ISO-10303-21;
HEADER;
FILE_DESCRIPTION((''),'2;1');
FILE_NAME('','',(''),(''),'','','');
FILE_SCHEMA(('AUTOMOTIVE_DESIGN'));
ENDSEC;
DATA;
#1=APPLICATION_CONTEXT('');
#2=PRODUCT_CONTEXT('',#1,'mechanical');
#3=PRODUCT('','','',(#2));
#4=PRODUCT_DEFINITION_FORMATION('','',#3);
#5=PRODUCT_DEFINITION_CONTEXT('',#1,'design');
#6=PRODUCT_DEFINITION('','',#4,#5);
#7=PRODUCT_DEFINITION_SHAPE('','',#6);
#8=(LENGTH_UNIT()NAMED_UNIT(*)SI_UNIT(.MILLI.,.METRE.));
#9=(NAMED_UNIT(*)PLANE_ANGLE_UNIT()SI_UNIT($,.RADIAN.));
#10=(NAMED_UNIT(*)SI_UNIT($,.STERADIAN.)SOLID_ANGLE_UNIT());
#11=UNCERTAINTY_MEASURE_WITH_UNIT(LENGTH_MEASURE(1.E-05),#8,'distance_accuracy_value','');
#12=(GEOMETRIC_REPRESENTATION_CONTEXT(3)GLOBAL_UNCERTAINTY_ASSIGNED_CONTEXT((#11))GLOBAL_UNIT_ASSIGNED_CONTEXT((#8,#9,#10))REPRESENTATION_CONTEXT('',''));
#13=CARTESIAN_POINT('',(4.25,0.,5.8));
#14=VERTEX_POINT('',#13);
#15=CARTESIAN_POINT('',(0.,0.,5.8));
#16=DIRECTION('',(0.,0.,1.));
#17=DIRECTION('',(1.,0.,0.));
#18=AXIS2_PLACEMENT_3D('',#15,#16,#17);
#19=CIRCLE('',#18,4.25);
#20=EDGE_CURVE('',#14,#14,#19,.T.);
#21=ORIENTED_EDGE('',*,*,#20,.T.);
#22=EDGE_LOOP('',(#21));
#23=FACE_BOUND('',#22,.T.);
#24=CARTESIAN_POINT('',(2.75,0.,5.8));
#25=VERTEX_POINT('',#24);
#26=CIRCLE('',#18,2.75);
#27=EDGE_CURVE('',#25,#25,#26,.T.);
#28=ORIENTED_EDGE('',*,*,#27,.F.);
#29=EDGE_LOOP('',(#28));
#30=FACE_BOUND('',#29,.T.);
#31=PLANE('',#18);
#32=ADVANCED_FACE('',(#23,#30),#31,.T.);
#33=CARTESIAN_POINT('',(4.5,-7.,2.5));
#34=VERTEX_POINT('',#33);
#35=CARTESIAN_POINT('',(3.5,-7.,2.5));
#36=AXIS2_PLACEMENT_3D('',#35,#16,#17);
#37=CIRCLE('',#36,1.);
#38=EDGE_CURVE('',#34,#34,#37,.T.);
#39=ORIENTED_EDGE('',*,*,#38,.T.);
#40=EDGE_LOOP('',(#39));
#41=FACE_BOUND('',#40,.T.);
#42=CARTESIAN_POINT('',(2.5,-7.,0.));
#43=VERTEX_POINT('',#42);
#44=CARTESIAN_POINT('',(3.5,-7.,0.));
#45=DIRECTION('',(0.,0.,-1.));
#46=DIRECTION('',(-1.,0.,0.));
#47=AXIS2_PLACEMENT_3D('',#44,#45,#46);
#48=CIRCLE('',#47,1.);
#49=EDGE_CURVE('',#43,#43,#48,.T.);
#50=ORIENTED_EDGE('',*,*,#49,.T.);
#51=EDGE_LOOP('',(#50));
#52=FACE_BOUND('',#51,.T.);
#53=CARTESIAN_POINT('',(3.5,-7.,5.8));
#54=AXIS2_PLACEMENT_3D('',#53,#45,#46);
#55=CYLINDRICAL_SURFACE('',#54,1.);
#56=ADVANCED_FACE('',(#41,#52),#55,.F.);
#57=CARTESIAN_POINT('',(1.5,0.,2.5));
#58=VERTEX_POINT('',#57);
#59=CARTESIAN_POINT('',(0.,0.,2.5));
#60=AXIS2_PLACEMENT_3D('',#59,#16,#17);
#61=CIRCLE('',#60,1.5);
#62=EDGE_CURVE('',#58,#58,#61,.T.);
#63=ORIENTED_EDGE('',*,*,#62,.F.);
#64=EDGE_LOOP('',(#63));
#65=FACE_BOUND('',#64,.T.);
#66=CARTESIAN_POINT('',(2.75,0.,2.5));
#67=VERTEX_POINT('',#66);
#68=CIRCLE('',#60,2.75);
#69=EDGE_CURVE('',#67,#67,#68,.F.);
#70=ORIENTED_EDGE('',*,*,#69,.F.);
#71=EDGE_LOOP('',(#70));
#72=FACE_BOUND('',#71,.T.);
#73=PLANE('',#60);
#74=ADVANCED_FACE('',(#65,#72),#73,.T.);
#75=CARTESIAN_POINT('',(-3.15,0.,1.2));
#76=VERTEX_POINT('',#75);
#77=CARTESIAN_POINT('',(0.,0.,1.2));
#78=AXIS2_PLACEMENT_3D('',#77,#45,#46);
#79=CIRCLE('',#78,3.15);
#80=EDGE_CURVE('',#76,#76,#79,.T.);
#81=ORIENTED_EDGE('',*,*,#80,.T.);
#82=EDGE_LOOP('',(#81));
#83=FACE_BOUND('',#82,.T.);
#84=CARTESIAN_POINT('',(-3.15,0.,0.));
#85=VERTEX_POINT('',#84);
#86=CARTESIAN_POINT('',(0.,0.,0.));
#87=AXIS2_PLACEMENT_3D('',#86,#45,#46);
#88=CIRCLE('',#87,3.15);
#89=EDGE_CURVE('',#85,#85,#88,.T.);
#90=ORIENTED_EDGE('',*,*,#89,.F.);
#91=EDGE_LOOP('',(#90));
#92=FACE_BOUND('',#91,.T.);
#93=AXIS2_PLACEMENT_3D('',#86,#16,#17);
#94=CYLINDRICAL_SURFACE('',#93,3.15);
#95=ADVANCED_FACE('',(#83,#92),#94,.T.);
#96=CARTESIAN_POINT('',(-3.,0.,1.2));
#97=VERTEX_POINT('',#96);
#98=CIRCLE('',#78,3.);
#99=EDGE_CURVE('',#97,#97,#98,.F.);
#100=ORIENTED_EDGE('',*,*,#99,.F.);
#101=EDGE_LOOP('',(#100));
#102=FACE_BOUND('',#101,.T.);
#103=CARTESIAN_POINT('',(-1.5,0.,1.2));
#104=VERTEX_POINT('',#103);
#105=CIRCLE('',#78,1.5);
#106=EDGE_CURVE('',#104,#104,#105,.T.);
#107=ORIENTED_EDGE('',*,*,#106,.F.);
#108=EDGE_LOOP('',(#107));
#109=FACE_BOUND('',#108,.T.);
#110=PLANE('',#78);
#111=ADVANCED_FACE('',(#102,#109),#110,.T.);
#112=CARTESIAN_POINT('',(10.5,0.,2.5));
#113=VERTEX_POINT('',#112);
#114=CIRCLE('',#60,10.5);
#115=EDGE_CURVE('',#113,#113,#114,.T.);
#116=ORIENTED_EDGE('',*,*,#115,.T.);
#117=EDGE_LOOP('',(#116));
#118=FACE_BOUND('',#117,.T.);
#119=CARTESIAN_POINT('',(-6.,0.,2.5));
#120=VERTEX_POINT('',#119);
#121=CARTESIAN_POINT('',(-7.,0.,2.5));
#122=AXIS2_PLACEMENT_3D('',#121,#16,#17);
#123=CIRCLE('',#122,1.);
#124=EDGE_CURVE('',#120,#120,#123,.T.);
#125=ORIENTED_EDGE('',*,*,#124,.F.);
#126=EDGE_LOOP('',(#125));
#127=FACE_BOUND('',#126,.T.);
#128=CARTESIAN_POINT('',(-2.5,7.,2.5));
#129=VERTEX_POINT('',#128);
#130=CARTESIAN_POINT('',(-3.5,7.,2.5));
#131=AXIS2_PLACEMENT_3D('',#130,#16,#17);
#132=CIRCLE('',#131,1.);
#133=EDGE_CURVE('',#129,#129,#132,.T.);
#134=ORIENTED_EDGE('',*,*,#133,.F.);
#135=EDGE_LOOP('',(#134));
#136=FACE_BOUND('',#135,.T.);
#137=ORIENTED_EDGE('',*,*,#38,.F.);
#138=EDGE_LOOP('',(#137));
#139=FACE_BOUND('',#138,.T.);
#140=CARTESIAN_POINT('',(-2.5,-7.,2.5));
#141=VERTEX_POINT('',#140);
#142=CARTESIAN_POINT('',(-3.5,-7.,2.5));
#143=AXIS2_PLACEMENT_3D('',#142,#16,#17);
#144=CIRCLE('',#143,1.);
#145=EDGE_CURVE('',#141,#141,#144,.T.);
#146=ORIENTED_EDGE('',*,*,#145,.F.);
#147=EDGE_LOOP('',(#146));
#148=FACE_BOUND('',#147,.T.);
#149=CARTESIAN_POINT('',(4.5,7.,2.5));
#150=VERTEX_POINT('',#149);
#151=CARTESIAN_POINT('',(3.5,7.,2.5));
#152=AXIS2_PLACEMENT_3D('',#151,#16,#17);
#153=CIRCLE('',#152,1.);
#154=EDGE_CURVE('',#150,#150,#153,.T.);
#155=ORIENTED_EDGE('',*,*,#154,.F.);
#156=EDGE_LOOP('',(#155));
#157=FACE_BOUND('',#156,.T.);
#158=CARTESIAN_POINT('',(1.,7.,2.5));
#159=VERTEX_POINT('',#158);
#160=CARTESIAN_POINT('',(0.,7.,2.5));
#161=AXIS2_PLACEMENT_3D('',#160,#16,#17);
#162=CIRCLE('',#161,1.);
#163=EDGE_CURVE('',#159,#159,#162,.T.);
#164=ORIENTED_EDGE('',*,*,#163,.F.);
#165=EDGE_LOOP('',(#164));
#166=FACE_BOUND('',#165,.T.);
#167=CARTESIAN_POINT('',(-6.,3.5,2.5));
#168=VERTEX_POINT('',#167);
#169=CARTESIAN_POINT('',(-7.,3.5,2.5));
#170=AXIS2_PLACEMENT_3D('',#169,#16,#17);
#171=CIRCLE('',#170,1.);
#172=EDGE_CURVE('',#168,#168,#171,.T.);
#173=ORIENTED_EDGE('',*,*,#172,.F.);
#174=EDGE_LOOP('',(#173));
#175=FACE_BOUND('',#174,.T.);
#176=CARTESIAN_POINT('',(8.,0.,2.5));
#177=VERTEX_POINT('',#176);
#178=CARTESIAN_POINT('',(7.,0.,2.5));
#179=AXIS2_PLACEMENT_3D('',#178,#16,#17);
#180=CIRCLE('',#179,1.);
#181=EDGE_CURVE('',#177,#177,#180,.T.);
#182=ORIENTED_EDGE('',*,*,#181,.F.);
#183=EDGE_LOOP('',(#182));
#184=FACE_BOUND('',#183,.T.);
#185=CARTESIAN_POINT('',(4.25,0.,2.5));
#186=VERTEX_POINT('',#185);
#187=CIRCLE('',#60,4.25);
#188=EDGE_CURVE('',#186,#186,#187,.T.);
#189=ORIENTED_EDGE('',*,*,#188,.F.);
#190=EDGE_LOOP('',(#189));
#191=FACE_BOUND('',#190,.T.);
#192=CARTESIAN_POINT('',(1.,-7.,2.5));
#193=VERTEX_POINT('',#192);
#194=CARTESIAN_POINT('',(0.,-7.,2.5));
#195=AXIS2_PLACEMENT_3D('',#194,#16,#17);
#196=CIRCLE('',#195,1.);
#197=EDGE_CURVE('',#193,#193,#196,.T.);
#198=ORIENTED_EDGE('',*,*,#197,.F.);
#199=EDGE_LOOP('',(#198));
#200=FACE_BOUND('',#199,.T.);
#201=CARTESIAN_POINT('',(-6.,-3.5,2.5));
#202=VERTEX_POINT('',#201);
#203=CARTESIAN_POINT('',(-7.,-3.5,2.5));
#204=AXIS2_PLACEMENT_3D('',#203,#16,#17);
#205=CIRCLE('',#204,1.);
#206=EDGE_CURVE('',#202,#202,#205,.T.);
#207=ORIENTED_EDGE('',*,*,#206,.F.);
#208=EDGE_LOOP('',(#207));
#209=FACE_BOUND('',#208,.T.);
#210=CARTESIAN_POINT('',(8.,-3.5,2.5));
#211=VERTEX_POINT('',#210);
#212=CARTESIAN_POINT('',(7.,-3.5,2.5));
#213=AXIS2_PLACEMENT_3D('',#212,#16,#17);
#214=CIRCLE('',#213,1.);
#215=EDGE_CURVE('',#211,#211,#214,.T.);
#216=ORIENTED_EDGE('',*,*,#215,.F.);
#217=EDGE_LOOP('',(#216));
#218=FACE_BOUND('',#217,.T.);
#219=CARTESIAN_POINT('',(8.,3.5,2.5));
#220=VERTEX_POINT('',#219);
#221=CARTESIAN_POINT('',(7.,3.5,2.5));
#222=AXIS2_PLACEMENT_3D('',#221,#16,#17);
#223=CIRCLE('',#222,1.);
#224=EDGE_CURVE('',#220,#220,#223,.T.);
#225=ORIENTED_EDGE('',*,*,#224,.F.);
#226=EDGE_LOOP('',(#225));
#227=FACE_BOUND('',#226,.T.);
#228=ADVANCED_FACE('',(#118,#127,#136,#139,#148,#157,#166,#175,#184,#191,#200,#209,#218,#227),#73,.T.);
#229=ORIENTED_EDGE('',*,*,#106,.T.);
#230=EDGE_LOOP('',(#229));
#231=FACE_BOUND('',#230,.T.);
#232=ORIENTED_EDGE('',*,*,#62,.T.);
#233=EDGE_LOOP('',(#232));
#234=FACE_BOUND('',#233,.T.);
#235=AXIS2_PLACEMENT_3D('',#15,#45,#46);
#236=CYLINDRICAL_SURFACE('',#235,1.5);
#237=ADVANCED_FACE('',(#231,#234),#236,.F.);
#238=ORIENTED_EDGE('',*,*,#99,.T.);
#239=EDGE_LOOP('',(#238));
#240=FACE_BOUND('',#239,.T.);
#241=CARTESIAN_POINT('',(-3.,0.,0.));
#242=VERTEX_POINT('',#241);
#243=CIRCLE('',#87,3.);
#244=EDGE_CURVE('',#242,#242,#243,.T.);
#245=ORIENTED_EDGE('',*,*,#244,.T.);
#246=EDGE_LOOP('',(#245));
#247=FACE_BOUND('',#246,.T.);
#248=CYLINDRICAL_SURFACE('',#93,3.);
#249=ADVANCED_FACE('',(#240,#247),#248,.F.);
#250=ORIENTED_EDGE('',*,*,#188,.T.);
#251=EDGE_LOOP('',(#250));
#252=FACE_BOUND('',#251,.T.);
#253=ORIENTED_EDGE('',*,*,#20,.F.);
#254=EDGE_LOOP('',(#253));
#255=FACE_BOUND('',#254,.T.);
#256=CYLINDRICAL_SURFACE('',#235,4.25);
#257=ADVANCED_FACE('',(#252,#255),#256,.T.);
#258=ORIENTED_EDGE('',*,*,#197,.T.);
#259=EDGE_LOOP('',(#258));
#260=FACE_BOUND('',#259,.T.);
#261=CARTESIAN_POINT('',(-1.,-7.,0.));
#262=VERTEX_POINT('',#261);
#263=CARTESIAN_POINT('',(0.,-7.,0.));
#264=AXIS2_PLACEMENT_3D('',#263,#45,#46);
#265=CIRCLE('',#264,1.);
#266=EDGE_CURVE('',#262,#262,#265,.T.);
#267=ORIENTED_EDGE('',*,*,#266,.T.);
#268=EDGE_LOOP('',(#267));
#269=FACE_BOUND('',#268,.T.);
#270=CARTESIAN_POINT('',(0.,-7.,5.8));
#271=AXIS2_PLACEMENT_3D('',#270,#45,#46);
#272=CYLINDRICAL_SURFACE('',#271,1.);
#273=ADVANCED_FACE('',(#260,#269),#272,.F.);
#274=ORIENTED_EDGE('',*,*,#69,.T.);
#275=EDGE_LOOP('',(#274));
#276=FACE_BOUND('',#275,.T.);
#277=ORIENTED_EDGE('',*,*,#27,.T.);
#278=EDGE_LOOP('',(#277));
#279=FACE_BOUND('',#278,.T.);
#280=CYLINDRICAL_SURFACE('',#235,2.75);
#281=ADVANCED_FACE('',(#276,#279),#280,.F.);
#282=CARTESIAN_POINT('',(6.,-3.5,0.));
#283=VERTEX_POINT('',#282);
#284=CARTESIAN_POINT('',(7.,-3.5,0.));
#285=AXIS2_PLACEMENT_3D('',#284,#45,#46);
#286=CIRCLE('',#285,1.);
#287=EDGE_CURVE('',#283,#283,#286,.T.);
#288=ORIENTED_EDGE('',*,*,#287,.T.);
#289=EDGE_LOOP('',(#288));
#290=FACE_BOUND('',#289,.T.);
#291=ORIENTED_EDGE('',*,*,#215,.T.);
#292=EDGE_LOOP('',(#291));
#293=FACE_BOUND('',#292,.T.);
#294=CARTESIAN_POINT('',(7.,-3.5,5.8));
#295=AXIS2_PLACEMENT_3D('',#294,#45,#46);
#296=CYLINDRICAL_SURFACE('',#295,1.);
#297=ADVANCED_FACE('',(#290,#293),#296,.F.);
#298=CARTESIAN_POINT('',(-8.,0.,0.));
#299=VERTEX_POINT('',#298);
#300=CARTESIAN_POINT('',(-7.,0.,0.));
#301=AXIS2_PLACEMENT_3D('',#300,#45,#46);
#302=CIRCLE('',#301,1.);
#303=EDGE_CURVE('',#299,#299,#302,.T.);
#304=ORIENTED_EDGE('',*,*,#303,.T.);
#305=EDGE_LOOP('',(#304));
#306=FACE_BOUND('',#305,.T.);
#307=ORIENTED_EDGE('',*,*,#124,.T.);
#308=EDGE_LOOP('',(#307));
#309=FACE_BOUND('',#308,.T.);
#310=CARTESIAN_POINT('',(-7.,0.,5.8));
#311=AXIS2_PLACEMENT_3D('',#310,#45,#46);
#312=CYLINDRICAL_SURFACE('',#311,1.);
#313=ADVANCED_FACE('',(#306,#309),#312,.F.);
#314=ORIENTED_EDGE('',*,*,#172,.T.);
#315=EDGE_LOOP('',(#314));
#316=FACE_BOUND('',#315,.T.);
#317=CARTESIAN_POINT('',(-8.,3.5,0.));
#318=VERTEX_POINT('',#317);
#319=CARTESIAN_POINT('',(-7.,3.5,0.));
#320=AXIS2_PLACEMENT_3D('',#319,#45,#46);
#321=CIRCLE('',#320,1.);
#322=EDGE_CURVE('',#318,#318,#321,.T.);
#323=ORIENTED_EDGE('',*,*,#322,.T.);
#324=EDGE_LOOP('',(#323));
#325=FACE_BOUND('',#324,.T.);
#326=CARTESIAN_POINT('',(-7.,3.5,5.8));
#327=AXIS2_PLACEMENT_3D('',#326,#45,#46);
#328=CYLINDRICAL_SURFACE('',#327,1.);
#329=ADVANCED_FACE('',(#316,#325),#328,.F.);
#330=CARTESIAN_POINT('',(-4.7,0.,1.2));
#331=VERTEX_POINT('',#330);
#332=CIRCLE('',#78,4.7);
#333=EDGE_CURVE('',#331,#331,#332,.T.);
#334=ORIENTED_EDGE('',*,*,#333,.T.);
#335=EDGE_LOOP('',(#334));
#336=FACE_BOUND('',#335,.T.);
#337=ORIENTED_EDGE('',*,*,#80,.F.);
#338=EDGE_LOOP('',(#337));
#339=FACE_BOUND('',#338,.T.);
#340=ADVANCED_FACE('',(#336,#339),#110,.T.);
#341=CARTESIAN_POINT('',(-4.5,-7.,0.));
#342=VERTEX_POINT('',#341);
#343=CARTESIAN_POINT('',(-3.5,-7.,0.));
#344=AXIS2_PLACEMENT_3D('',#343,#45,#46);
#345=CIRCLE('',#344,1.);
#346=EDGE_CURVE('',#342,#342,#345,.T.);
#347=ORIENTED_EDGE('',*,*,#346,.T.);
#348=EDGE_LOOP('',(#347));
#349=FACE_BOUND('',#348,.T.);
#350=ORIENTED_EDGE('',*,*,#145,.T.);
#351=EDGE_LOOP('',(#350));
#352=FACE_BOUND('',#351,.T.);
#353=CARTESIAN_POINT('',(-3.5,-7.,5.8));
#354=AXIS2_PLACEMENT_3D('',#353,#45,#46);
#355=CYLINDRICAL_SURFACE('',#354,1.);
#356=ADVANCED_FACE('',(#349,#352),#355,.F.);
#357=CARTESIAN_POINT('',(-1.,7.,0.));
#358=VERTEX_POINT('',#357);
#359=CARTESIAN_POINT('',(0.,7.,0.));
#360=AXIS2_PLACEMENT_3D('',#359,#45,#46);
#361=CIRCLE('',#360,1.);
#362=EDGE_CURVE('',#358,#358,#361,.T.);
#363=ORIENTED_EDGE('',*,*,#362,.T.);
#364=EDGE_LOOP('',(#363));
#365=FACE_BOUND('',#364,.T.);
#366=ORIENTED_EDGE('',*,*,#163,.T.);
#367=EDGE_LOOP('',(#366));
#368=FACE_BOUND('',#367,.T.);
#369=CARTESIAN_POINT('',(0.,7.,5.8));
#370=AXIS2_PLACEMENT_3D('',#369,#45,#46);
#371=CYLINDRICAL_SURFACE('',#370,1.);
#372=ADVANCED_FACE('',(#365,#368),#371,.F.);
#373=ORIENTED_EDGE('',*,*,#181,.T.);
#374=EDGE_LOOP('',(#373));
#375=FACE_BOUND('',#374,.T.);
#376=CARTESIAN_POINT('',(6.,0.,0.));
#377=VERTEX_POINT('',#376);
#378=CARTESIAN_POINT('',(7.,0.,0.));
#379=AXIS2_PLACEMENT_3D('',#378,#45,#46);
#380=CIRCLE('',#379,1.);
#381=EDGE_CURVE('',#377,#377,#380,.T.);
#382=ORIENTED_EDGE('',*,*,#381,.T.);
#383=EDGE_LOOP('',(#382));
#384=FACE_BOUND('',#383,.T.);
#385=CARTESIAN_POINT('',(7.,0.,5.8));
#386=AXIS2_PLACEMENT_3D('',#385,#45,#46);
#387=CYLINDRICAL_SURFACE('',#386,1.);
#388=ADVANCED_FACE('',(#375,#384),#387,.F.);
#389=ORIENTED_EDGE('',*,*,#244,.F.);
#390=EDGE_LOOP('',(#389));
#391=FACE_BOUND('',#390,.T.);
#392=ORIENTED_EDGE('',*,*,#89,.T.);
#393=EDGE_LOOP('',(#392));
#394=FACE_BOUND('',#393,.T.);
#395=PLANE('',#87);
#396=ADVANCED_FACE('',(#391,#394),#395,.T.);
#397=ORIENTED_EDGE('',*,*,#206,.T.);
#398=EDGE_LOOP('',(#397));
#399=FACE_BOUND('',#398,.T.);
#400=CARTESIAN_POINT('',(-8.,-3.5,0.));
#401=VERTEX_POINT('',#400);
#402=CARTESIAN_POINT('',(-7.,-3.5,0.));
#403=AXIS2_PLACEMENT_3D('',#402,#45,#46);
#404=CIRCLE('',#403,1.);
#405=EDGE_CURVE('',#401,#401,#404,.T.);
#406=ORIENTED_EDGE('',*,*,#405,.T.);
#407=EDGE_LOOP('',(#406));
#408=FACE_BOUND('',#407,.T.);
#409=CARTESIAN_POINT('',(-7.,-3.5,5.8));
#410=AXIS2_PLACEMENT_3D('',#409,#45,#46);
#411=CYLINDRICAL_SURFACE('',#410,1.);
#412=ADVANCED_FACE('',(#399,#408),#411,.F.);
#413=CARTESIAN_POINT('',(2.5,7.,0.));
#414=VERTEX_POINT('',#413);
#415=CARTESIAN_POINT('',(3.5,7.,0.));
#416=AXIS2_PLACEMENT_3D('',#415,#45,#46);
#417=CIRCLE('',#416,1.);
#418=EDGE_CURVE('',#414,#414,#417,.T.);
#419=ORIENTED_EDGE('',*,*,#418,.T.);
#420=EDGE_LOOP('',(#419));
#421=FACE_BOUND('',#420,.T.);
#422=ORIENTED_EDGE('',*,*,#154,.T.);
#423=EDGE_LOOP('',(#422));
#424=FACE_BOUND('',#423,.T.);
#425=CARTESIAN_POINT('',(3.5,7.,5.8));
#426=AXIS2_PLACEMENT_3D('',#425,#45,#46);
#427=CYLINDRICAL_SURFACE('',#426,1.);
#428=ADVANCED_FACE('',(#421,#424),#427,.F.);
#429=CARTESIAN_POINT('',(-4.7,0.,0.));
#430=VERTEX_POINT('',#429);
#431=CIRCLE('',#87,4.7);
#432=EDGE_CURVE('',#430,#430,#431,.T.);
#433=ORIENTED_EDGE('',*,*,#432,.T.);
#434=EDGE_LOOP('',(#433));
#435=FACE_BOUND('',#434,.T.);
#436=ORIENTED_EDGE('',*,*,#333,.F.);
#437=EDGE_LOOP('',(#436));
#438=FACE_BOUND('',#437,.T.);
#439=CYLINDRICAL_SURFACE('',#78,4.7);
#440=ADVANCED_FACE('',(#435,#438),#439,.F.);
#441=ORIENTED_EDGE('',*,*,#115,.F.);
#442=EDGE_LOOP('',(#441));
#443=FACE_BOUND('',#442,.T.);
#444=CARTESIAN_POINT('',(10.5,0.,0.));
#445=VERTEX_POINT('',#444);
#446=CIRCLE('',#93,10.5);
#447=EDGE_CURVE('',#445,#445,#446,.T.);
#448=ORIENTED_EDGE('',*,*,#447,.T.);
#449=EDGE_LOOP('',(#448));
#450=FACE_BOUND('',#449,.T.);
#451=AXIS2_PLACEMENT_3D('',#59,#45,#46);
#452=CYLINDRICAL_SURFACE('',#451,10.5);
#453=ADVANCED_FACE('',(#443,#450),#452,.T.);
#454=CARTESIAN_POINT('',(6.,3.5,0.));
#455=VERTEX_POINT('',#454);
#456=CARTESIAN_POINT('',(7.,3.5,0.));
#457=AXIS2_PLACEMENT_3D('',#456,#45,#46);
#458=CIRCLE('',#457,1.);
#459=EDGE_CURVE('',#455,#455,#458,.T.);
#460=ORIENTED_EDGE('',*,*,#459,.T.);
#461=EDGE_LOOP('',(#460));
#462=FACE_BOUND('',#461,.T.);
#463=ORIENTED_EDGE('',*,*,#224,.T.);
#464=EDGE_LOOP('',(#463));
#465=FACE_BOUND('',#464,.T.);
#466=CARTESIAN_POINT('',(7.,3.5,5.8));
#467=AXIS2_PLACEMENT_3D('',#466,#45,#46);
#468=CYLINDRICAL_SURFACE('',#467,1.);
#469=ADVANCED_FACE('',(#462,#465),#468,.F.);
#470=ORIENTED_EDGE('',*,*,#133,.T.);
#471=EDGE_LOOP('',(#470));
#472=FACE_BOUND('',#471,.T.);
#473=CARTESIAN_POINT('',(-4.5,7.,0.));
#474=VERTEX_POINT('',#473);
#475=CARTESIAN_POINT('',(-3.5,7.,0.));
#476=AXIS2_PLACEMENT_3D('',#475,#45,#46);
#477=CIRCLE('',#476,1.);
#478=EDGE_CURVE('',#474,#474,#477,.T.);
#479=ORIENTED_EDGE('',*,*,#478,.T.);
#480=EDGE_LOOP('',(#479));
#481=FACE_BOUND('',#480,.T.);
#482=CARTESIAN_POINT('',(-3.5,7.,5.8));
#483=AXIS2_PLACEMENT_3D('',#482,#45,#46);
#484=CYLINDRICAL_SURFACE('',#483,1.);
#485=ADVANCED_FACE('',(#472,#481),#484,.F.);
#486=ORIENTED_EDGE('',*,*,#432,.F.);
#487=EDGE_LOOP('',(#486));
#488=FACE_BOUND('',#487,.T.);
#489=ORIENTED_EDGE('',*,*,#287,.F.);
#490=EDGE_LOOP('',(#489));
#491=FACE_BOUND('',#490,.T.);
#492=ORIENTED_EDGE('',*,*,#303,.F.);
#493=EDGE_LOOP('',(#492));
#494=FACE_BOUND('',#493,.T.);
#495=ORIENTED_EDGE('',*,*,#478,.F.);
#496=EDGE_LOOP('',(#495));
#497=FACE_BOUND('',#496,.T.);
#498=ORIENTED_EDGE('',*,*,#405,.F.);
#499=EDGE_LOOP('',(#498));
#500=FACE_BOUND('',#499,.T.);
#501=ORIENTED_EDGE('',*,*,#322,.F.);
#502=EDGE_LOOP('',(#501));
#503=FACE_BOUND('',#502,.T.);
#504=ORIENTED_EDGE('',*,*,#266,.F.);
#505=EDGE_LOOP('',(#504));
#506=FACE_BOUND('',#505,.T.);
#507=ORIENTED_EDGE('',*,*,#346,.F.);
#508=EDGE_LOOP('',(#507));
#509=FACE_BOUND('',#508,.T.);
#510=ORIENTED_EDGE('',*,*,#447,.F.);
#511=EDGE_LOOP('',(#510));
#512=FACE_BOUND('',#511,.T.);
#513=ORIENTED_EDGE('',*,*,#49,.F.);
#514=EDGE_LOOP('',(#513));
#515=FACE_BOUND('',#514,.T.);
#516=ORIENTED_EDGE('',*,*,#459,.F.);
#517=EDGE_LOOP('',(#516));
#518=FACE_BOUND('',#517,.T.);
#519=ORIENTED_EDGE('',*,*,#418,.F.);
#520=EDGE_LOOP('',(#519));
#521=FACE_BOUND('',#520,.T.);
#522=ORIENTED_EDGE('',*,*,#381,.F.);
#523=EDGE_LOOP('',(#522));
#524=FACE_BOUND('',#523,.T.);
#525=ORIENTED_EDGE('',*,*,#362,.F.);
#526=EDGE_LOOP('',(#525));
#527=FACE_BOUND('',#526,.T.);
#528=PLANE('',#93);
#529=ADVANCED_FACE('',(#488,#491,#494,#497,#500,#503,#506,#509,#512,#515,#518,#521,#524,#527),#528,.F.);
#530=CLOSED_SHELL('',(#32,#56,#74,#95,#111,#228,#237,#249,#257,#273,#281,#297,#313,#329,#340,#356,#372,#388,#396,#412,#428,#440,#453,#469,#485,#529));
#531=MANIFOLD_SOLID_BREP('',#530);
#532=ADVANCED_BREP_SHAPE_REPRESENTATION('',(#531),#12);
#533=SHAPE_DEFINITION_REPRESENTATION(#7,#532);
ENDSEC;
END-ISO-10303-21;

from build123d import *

# Parameters (mm, degrees)
SKETCH1_R           = 10.5
BOSS_EXTRUDE1_DEPTH = 2.5
SKETCH2_R           = 4.25
SKETCH2_R_2         = 2.75
BOSS_EXTRUDE2_DEPTH = 3.3
SKETCH3_R           = 1.5
CUT_EXTRUDE1_DEPTH  = 16.941769036
SKETCH3_3_R         = 4.7
SKETCH3_3_R_2       = 1.5
CUT_EXTRUDE2_DEPTH  = 1.2
SKETCH4_R           = 3.15
SKETCH4_R_2         = 3
BOSS_EXTRUDE3_DEPTH = 1.2
SKETCH5_R           = 1
CUT_EXTRUDE3_DEPTH  = 16.941769036


with BuildPart() as part:
    # Sketch1 → Boss-Extrude1 (new body)
    with BuildSketch(Plane.XY):
        Circle(SKETCH1_R)
    extrude(amount=BOSS_EXTRUDE1_DEPTH)

    # Sketch2 → Boss-Extrude2 (add)
    with BuildSketch(Plane.XY.offset(2.5)):
        Circle(SKETCH2_R)
        Circle(SKETCH2_R_2, mode=Mode.SUBTRACT)
    extrude(amount=BOSS_EXTRUDE2_DEPTH)

    # Sketch3 → Cut-Extrude1 (cut, through all)
    with BuildSketch(Plane(origin=(0, 0, 0), x_dir=(-1, 0, 0), z_dir=(0, 0, -1))):
        Circle(SKETCH3_R)
    extrude(amount=-CUT_EXTRUDE1_DEPTH, mode=Mode.SUBTRACT)

    # Sketch3<3> → Cut-Extrude2 (cut)
    with BuildSketch(Plane(origin=(0, 0, 0), x_dir=(-1, 0, 0), z_dir=(0, 0, -1))):
        Circle(SKETCH3_3_R)
        Circle(SKETCH3_3_R_2, mode=Mode.SUBTRACT)
    extrude(amount=-CUT_EXTRUDE2_DEPTH, mode=Mode.SUBTRACT)

    # Sketch4 → Boss-Extrude3 (add)
    with BuildSketch(Plane(origin=(0, 0, 1.2), x_dir=(-1, 0, 0), z_dir=(0, 0, -1))):
        Circle(SKETCH4_R)
        Circle(SKETCH4_R_2, mode=Mode.SUBTRACT)
    extrude(amount=BOSS_EXTRUDE3_DEPTH)

    # Sketch5 → Cut-Extrude3 (cut, through all)
    with BuildSketch(Plane(origin=(0, 0, 0), x_dir=(-1, 0, 0), z_dir=(0, 0, -1))):
        with Locations((0, 7)):
            Circle(SKETCH5_R)
        with Locations((0, -7)):
            Circle(SKETCH5_R)
        with Locations((-7, 0)):
            Circle(SKETCH5_R)
        with Locations((7, 0)):
            Circle(SKETCH5_R)
        with Locations((3.5, 7)):
            Circle(SKETCH5_R)
        with Locations((-3.5, 7)):
            Circle(SKETCH5_R)
        with Locations((-7, 3.5)):
            Circle(SKETCH5_R)
        with Locations((-7, -3.5)):
            Circle(SKETCH5_R)
        with Locations((7, -3.5)):
            Circle(SKETCH5_R)
        with Locations((7, 3.5)):
            Circle(SKETCH5_R)
        with Locations((-3.5, -7)):
            Circle(SKETCH5_R)
        with Locations((3.5, -7)):
            Circle(SKETCH5_R)
    extrude(amount=-CUT_EXTRUDE3_DEPTH, mode=Mode.SUBTRACT)


solid = part.part
